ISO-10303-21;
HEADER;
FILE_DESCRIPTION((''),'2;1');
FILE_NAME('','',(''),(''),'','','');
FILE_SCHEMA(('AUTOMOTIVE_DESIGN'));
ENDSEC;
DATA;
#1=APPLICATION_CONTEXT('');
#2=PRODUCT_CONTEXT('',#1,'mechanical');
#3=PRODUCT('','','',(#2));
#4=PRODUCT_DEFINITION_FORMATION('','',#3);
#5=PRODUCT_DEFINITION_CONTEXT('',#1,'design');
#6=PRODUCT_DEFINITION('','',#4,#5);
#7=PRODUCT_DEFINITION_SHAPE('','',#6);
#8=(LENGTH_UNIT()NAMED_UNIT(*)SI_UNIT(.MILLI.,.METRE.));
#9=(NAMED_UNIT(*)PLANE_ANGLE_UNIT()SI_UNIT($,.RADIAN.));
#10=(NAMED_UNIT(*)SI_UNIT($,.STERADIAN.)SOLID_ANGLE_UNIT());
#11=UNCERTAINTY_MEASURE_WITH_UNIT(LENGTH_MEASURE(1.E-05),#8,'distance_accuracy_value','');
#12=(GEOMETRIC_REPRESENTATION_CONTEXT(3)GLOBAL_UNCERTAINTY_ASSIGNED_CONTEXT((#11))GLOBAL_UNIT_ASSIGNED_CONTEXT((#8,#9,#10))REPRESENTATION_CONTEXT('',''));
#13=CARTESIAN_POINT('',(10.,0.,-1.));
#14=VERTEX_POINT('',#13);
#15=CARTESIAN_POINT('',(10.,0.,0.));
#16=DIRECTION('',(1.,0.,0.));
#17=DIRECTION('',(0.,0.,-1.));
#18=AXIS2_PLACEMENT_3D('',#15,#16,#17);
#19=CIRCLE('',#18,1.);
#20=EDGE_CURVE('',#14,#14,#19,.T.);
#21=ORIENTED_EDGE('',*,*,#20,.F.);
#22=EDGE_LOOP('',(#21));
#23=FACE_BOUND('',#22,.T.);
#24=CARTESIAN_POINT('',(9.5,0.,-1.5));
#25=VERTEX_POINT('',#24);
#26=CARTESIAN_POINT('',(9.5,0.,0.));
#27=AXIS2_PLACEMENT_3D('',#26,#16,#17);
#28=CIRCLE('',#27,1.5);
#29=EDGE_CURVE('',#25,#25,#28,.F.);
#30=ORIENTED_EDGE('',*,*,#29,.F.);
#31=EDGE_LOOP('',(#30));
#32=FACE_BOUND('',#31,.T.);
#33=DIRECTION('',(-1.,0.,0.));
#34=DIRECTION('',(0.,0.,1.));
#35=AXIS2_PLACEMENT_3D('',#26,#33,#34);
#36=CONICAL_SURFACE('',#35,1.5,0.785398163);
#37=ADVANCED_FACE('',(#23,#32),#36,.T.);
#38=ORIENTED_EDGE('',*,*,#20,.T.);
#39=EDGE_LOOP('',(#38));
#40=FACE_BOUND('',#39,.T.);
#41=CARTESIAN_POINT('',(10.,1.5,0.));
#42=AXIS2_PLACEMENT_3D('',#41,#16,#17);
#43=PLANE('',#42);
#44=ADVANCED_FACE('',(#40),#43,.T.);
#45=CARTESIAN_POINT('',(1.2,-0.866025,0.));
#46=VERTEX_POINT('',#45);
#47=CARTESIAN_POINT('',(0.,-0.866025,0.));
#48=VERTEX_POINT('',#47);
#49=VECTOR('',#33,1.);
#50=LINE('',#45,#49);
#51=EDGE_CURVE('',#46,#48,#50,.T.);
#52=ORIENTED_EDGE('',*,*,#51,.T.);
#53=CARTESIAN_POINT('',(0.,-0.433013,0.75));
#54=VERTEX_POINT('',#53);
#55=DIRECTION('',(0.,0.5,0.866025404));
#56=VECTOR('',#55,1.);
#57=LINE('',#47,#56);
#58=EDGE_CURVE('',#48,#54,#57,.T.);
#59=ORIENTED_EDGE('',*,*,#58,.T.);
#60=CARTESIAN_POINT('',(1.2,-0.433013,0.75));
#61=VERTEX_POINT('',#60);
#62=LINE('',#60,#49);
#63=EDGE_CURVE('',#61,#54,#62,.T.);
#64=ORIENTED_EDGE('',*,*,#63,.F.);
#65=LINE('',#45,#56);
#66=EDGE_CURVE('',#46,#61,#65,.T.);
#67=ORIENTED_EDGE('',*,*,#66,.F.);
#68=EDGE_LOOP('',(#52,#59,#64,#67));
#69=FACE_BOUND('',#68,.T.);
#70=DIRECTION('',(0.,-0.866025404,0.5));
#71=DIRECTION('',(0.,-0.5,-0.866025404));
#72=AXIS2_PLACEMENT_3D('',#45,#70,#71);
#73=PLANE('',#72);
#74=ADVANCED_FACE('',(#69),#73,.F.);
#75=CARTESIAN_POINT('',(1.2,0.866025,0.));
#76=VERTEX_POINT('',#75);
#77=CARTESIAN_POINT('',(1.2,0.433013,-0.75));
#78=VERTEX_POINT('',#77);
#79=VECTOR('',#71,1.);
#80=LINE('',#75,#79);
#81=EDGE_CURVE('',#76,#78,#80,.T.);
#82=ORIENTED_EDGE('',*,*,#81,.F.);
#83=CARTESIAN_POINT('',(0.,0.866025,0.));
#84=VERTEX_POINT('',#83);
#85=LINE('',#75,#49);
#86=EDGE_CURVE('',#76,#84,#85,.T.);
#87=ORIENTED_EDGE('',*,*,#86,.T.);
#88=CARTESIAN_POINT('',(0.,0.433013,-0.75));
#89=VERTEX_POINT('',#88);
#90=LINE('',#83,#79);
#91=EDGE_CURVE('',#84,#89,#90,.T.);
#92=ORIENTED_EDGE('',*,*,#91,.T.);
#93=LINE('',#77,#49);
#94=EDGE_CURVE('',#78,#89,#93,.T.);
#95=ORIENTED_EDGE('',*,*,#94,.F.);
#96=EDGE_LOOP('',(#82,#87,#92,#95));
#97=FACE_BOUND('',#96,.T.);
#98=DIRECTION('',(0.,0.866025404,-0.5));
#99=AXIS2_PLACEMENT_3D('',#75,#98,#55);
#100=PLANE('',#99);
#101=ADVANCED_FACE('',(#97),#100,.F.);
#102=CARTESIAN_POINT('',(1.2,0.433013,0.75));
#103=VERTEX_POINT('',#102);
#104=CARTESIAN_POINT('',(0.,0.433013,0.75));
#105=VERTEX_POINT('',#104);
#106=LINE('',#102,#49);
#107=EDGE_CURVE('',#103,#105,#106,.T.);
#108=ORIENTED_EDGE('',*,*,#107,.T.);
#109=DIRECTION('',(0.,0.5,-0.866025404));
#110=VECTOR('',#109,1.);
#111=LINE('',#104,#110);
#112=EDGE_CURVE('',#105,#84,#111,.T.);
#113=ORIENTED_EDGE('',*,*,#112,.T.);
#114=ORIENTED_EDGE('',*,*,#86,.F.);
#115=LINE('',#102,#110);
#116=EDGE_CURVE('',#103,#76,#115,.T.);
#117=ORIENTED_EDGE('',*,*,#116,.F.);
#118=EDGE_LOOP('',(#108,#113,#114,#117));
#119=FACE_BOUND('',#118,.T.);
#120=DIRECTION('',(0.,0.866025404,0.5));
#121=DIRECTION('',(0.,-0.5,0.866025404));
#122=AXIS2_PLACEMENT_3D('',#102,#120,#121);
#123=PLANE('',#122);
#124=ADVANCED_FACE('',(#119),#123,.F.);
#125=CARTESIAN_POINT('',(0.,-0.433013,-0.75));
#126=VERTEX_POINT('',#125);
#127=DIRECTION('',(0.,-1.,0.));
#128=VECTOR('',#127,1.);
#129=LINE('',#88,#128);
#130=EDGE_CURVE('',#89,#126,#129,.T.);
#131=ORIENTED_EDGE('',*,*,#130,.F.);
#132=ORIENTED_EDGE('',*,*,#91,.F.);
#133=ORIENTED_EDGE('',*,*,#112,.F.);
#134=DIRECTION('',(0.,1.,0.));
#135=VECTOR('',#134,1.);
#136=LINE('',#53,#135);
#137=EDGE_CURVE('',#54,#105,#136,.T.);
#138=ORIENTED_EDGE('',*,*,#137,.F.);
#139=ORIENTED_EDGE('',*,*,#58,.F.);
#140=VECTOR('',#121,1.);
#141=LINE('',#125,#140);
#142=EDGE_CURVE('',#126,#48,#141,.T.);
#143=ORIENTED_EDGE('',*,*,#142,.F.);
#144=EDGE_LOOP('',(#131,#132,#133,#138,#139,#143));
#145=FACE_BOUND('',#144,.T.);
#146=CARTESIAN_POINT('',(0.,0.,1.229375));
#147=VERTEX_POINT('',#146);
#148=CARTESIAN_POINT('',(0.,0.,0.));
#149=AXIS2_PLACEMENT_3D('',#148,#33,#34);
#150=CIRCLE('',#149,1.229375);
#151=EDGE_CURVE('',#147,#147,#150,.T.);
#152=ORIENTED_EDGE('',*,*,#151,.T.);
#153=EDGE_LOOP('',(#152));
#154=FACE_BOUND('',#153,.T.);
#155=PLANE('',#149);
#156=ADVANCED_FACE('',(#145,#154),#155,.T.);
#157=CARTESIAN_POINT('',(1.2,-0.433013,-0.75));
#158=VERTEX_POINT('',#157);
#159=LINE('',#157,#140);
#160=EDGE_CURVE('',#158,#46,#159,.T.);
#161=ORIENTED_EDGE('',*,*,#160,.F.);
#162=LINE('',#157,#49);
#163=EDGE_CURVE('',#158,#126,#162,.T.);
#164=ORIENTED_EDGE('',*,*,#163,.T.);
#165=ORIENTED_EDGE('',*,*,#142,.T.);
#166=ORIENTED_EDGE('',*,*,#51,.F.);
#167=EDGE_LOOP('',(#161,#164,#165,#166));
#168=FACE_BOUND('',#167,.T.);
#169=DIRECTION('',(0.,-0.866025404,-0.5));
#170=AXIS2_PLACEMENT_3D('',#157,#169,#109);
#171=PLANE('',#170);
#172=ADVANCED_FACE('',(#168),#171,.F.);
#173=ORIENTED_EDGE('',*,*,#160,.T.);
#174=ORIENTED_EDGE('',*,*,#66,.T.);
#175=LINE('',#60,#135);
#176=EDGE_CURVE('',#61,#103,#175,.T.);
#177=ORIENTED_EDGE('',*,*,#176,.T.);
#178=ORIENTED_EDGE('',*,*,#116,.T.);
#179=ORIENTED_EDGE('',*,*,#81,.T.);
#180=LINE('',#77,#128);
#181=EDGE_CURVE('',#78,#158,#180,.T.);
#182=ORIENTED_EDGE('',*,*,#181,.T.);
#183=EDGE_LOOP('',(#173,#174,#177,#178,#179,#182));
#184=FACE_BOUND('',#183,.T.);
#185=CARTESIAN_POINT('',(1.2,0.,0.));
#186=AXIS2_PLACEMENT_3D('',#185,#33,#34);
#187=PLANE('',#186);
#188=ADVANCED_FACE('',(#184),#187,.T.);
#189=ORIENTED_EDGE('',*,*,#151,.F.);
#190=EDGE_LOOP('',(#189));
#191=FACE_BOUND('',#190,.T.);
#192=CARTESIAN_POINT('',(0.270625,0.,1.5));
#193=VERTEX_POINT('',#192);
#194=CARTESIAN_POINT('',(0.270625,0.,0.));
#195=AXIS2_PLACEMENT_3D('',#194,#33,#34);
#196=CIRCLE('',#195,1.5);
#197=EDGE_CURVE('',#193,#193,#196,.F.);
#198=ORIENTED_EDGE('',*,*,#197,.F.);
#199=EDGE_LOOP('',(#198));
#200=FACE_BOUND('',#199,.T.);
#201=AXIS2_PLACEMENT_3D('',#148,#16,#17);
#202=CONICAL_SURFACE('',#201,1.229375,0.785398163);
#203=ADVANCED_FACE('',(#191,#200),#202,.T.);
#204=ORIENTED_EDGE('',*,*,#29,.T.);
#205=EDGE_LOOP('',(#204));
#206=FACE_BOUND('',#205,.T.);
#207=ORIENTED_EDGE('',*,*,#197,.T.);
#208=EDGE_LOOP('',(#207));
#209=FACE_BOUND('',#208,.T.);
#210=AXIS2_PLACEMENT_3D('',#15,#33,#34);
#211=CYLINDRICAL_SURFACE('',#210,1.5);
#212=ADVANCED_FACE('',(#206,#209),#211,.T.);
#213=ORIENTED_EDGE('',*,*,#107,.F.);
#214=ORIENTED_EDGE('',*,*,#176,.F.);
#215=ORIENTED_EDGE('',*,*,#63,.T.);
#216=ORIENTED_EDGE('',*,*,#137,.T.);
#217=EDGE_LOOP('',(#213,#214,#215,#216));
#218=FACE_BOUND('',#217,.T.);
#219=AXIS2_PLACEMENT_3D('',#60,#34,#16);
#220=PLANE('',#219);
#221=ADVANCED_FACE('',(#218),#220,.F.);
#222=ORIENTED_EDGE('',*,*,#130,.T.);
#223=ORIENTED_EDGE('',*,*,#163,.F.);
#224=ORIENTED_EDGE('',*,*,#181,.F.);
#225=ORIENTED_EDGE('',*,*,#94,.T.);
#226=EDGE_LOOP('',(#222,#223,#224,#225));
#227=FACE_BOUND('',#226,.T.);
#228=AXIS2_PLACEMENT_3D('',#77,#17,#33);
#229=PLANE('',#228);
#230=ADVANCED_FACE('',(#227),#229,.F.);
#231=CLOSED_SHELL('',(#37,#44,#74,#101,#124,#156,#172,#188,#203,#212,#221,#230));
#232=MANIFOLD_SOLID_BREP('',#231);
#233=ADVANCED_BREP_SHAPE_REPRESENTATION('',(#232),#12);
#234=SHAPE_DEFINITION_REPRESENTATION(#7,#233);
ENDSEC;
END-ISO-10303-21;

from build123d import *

# Parameters (mm, degrees)
SKETCH1_W          = 10
SKETCH1_H          = 1.5
CUT_EXTRUDE1_DEPTH = 1.2
CHAMFER1_SIZE      = 0.270625
CHAMFER2_SIZE      = 0.5


with BuildPart() as part:
    # Sketch1 → Revolve1 (revolve)
    with BuildSketch(Plane(origin=(0, 0, 0), x_dir=(-1, 0, 0), z_dir=(0, 0, -1)), mode=Mode.PRIVATE) as revolve1_sk:
        with Locations((-5, 0.75)):
            Rectangle(SKETCH1_W, SKETCH1_H)
    revolve(revolve1_sk.sketch.rotate(Axis((10, 0, 0), (-1, 0, 0)), 270), axis=Axis((10, 0, 0), (-1, 0, 0)))

    # Sketch2 → Cut-Extrude1 (cut)
    with BuildSketch(Plane.ZY):
        Polygon((-0.75, -0.433012702), (0, -0.866025404), (0.75, -0.433012702), (0.75, 0.433012702), (0, 0.866025404), (-0.75, 0.433012702), align=None)
    extrude(amount=-CUT_EXTRUDE1_DEPTH, mode=Mode.SUBTRACT)

    # Chamfer1
    chamfer1_edges = [part.edges().sort_by_distance(p)[0] for p in [
        (0, 0, -1.5),
    ]]
    chamfer(chamfer1_edges, length=CHAMFER1_SIZE)

    # Chamfer2
    chamfer2_edges = [part.edges().sort_by_distance(p)[0] for p in [
        (10, 0, -1.5),
    ]]
    chamfer(chamfer2_edges, length=CHAMFER2_SIZE)


solid = part.part
